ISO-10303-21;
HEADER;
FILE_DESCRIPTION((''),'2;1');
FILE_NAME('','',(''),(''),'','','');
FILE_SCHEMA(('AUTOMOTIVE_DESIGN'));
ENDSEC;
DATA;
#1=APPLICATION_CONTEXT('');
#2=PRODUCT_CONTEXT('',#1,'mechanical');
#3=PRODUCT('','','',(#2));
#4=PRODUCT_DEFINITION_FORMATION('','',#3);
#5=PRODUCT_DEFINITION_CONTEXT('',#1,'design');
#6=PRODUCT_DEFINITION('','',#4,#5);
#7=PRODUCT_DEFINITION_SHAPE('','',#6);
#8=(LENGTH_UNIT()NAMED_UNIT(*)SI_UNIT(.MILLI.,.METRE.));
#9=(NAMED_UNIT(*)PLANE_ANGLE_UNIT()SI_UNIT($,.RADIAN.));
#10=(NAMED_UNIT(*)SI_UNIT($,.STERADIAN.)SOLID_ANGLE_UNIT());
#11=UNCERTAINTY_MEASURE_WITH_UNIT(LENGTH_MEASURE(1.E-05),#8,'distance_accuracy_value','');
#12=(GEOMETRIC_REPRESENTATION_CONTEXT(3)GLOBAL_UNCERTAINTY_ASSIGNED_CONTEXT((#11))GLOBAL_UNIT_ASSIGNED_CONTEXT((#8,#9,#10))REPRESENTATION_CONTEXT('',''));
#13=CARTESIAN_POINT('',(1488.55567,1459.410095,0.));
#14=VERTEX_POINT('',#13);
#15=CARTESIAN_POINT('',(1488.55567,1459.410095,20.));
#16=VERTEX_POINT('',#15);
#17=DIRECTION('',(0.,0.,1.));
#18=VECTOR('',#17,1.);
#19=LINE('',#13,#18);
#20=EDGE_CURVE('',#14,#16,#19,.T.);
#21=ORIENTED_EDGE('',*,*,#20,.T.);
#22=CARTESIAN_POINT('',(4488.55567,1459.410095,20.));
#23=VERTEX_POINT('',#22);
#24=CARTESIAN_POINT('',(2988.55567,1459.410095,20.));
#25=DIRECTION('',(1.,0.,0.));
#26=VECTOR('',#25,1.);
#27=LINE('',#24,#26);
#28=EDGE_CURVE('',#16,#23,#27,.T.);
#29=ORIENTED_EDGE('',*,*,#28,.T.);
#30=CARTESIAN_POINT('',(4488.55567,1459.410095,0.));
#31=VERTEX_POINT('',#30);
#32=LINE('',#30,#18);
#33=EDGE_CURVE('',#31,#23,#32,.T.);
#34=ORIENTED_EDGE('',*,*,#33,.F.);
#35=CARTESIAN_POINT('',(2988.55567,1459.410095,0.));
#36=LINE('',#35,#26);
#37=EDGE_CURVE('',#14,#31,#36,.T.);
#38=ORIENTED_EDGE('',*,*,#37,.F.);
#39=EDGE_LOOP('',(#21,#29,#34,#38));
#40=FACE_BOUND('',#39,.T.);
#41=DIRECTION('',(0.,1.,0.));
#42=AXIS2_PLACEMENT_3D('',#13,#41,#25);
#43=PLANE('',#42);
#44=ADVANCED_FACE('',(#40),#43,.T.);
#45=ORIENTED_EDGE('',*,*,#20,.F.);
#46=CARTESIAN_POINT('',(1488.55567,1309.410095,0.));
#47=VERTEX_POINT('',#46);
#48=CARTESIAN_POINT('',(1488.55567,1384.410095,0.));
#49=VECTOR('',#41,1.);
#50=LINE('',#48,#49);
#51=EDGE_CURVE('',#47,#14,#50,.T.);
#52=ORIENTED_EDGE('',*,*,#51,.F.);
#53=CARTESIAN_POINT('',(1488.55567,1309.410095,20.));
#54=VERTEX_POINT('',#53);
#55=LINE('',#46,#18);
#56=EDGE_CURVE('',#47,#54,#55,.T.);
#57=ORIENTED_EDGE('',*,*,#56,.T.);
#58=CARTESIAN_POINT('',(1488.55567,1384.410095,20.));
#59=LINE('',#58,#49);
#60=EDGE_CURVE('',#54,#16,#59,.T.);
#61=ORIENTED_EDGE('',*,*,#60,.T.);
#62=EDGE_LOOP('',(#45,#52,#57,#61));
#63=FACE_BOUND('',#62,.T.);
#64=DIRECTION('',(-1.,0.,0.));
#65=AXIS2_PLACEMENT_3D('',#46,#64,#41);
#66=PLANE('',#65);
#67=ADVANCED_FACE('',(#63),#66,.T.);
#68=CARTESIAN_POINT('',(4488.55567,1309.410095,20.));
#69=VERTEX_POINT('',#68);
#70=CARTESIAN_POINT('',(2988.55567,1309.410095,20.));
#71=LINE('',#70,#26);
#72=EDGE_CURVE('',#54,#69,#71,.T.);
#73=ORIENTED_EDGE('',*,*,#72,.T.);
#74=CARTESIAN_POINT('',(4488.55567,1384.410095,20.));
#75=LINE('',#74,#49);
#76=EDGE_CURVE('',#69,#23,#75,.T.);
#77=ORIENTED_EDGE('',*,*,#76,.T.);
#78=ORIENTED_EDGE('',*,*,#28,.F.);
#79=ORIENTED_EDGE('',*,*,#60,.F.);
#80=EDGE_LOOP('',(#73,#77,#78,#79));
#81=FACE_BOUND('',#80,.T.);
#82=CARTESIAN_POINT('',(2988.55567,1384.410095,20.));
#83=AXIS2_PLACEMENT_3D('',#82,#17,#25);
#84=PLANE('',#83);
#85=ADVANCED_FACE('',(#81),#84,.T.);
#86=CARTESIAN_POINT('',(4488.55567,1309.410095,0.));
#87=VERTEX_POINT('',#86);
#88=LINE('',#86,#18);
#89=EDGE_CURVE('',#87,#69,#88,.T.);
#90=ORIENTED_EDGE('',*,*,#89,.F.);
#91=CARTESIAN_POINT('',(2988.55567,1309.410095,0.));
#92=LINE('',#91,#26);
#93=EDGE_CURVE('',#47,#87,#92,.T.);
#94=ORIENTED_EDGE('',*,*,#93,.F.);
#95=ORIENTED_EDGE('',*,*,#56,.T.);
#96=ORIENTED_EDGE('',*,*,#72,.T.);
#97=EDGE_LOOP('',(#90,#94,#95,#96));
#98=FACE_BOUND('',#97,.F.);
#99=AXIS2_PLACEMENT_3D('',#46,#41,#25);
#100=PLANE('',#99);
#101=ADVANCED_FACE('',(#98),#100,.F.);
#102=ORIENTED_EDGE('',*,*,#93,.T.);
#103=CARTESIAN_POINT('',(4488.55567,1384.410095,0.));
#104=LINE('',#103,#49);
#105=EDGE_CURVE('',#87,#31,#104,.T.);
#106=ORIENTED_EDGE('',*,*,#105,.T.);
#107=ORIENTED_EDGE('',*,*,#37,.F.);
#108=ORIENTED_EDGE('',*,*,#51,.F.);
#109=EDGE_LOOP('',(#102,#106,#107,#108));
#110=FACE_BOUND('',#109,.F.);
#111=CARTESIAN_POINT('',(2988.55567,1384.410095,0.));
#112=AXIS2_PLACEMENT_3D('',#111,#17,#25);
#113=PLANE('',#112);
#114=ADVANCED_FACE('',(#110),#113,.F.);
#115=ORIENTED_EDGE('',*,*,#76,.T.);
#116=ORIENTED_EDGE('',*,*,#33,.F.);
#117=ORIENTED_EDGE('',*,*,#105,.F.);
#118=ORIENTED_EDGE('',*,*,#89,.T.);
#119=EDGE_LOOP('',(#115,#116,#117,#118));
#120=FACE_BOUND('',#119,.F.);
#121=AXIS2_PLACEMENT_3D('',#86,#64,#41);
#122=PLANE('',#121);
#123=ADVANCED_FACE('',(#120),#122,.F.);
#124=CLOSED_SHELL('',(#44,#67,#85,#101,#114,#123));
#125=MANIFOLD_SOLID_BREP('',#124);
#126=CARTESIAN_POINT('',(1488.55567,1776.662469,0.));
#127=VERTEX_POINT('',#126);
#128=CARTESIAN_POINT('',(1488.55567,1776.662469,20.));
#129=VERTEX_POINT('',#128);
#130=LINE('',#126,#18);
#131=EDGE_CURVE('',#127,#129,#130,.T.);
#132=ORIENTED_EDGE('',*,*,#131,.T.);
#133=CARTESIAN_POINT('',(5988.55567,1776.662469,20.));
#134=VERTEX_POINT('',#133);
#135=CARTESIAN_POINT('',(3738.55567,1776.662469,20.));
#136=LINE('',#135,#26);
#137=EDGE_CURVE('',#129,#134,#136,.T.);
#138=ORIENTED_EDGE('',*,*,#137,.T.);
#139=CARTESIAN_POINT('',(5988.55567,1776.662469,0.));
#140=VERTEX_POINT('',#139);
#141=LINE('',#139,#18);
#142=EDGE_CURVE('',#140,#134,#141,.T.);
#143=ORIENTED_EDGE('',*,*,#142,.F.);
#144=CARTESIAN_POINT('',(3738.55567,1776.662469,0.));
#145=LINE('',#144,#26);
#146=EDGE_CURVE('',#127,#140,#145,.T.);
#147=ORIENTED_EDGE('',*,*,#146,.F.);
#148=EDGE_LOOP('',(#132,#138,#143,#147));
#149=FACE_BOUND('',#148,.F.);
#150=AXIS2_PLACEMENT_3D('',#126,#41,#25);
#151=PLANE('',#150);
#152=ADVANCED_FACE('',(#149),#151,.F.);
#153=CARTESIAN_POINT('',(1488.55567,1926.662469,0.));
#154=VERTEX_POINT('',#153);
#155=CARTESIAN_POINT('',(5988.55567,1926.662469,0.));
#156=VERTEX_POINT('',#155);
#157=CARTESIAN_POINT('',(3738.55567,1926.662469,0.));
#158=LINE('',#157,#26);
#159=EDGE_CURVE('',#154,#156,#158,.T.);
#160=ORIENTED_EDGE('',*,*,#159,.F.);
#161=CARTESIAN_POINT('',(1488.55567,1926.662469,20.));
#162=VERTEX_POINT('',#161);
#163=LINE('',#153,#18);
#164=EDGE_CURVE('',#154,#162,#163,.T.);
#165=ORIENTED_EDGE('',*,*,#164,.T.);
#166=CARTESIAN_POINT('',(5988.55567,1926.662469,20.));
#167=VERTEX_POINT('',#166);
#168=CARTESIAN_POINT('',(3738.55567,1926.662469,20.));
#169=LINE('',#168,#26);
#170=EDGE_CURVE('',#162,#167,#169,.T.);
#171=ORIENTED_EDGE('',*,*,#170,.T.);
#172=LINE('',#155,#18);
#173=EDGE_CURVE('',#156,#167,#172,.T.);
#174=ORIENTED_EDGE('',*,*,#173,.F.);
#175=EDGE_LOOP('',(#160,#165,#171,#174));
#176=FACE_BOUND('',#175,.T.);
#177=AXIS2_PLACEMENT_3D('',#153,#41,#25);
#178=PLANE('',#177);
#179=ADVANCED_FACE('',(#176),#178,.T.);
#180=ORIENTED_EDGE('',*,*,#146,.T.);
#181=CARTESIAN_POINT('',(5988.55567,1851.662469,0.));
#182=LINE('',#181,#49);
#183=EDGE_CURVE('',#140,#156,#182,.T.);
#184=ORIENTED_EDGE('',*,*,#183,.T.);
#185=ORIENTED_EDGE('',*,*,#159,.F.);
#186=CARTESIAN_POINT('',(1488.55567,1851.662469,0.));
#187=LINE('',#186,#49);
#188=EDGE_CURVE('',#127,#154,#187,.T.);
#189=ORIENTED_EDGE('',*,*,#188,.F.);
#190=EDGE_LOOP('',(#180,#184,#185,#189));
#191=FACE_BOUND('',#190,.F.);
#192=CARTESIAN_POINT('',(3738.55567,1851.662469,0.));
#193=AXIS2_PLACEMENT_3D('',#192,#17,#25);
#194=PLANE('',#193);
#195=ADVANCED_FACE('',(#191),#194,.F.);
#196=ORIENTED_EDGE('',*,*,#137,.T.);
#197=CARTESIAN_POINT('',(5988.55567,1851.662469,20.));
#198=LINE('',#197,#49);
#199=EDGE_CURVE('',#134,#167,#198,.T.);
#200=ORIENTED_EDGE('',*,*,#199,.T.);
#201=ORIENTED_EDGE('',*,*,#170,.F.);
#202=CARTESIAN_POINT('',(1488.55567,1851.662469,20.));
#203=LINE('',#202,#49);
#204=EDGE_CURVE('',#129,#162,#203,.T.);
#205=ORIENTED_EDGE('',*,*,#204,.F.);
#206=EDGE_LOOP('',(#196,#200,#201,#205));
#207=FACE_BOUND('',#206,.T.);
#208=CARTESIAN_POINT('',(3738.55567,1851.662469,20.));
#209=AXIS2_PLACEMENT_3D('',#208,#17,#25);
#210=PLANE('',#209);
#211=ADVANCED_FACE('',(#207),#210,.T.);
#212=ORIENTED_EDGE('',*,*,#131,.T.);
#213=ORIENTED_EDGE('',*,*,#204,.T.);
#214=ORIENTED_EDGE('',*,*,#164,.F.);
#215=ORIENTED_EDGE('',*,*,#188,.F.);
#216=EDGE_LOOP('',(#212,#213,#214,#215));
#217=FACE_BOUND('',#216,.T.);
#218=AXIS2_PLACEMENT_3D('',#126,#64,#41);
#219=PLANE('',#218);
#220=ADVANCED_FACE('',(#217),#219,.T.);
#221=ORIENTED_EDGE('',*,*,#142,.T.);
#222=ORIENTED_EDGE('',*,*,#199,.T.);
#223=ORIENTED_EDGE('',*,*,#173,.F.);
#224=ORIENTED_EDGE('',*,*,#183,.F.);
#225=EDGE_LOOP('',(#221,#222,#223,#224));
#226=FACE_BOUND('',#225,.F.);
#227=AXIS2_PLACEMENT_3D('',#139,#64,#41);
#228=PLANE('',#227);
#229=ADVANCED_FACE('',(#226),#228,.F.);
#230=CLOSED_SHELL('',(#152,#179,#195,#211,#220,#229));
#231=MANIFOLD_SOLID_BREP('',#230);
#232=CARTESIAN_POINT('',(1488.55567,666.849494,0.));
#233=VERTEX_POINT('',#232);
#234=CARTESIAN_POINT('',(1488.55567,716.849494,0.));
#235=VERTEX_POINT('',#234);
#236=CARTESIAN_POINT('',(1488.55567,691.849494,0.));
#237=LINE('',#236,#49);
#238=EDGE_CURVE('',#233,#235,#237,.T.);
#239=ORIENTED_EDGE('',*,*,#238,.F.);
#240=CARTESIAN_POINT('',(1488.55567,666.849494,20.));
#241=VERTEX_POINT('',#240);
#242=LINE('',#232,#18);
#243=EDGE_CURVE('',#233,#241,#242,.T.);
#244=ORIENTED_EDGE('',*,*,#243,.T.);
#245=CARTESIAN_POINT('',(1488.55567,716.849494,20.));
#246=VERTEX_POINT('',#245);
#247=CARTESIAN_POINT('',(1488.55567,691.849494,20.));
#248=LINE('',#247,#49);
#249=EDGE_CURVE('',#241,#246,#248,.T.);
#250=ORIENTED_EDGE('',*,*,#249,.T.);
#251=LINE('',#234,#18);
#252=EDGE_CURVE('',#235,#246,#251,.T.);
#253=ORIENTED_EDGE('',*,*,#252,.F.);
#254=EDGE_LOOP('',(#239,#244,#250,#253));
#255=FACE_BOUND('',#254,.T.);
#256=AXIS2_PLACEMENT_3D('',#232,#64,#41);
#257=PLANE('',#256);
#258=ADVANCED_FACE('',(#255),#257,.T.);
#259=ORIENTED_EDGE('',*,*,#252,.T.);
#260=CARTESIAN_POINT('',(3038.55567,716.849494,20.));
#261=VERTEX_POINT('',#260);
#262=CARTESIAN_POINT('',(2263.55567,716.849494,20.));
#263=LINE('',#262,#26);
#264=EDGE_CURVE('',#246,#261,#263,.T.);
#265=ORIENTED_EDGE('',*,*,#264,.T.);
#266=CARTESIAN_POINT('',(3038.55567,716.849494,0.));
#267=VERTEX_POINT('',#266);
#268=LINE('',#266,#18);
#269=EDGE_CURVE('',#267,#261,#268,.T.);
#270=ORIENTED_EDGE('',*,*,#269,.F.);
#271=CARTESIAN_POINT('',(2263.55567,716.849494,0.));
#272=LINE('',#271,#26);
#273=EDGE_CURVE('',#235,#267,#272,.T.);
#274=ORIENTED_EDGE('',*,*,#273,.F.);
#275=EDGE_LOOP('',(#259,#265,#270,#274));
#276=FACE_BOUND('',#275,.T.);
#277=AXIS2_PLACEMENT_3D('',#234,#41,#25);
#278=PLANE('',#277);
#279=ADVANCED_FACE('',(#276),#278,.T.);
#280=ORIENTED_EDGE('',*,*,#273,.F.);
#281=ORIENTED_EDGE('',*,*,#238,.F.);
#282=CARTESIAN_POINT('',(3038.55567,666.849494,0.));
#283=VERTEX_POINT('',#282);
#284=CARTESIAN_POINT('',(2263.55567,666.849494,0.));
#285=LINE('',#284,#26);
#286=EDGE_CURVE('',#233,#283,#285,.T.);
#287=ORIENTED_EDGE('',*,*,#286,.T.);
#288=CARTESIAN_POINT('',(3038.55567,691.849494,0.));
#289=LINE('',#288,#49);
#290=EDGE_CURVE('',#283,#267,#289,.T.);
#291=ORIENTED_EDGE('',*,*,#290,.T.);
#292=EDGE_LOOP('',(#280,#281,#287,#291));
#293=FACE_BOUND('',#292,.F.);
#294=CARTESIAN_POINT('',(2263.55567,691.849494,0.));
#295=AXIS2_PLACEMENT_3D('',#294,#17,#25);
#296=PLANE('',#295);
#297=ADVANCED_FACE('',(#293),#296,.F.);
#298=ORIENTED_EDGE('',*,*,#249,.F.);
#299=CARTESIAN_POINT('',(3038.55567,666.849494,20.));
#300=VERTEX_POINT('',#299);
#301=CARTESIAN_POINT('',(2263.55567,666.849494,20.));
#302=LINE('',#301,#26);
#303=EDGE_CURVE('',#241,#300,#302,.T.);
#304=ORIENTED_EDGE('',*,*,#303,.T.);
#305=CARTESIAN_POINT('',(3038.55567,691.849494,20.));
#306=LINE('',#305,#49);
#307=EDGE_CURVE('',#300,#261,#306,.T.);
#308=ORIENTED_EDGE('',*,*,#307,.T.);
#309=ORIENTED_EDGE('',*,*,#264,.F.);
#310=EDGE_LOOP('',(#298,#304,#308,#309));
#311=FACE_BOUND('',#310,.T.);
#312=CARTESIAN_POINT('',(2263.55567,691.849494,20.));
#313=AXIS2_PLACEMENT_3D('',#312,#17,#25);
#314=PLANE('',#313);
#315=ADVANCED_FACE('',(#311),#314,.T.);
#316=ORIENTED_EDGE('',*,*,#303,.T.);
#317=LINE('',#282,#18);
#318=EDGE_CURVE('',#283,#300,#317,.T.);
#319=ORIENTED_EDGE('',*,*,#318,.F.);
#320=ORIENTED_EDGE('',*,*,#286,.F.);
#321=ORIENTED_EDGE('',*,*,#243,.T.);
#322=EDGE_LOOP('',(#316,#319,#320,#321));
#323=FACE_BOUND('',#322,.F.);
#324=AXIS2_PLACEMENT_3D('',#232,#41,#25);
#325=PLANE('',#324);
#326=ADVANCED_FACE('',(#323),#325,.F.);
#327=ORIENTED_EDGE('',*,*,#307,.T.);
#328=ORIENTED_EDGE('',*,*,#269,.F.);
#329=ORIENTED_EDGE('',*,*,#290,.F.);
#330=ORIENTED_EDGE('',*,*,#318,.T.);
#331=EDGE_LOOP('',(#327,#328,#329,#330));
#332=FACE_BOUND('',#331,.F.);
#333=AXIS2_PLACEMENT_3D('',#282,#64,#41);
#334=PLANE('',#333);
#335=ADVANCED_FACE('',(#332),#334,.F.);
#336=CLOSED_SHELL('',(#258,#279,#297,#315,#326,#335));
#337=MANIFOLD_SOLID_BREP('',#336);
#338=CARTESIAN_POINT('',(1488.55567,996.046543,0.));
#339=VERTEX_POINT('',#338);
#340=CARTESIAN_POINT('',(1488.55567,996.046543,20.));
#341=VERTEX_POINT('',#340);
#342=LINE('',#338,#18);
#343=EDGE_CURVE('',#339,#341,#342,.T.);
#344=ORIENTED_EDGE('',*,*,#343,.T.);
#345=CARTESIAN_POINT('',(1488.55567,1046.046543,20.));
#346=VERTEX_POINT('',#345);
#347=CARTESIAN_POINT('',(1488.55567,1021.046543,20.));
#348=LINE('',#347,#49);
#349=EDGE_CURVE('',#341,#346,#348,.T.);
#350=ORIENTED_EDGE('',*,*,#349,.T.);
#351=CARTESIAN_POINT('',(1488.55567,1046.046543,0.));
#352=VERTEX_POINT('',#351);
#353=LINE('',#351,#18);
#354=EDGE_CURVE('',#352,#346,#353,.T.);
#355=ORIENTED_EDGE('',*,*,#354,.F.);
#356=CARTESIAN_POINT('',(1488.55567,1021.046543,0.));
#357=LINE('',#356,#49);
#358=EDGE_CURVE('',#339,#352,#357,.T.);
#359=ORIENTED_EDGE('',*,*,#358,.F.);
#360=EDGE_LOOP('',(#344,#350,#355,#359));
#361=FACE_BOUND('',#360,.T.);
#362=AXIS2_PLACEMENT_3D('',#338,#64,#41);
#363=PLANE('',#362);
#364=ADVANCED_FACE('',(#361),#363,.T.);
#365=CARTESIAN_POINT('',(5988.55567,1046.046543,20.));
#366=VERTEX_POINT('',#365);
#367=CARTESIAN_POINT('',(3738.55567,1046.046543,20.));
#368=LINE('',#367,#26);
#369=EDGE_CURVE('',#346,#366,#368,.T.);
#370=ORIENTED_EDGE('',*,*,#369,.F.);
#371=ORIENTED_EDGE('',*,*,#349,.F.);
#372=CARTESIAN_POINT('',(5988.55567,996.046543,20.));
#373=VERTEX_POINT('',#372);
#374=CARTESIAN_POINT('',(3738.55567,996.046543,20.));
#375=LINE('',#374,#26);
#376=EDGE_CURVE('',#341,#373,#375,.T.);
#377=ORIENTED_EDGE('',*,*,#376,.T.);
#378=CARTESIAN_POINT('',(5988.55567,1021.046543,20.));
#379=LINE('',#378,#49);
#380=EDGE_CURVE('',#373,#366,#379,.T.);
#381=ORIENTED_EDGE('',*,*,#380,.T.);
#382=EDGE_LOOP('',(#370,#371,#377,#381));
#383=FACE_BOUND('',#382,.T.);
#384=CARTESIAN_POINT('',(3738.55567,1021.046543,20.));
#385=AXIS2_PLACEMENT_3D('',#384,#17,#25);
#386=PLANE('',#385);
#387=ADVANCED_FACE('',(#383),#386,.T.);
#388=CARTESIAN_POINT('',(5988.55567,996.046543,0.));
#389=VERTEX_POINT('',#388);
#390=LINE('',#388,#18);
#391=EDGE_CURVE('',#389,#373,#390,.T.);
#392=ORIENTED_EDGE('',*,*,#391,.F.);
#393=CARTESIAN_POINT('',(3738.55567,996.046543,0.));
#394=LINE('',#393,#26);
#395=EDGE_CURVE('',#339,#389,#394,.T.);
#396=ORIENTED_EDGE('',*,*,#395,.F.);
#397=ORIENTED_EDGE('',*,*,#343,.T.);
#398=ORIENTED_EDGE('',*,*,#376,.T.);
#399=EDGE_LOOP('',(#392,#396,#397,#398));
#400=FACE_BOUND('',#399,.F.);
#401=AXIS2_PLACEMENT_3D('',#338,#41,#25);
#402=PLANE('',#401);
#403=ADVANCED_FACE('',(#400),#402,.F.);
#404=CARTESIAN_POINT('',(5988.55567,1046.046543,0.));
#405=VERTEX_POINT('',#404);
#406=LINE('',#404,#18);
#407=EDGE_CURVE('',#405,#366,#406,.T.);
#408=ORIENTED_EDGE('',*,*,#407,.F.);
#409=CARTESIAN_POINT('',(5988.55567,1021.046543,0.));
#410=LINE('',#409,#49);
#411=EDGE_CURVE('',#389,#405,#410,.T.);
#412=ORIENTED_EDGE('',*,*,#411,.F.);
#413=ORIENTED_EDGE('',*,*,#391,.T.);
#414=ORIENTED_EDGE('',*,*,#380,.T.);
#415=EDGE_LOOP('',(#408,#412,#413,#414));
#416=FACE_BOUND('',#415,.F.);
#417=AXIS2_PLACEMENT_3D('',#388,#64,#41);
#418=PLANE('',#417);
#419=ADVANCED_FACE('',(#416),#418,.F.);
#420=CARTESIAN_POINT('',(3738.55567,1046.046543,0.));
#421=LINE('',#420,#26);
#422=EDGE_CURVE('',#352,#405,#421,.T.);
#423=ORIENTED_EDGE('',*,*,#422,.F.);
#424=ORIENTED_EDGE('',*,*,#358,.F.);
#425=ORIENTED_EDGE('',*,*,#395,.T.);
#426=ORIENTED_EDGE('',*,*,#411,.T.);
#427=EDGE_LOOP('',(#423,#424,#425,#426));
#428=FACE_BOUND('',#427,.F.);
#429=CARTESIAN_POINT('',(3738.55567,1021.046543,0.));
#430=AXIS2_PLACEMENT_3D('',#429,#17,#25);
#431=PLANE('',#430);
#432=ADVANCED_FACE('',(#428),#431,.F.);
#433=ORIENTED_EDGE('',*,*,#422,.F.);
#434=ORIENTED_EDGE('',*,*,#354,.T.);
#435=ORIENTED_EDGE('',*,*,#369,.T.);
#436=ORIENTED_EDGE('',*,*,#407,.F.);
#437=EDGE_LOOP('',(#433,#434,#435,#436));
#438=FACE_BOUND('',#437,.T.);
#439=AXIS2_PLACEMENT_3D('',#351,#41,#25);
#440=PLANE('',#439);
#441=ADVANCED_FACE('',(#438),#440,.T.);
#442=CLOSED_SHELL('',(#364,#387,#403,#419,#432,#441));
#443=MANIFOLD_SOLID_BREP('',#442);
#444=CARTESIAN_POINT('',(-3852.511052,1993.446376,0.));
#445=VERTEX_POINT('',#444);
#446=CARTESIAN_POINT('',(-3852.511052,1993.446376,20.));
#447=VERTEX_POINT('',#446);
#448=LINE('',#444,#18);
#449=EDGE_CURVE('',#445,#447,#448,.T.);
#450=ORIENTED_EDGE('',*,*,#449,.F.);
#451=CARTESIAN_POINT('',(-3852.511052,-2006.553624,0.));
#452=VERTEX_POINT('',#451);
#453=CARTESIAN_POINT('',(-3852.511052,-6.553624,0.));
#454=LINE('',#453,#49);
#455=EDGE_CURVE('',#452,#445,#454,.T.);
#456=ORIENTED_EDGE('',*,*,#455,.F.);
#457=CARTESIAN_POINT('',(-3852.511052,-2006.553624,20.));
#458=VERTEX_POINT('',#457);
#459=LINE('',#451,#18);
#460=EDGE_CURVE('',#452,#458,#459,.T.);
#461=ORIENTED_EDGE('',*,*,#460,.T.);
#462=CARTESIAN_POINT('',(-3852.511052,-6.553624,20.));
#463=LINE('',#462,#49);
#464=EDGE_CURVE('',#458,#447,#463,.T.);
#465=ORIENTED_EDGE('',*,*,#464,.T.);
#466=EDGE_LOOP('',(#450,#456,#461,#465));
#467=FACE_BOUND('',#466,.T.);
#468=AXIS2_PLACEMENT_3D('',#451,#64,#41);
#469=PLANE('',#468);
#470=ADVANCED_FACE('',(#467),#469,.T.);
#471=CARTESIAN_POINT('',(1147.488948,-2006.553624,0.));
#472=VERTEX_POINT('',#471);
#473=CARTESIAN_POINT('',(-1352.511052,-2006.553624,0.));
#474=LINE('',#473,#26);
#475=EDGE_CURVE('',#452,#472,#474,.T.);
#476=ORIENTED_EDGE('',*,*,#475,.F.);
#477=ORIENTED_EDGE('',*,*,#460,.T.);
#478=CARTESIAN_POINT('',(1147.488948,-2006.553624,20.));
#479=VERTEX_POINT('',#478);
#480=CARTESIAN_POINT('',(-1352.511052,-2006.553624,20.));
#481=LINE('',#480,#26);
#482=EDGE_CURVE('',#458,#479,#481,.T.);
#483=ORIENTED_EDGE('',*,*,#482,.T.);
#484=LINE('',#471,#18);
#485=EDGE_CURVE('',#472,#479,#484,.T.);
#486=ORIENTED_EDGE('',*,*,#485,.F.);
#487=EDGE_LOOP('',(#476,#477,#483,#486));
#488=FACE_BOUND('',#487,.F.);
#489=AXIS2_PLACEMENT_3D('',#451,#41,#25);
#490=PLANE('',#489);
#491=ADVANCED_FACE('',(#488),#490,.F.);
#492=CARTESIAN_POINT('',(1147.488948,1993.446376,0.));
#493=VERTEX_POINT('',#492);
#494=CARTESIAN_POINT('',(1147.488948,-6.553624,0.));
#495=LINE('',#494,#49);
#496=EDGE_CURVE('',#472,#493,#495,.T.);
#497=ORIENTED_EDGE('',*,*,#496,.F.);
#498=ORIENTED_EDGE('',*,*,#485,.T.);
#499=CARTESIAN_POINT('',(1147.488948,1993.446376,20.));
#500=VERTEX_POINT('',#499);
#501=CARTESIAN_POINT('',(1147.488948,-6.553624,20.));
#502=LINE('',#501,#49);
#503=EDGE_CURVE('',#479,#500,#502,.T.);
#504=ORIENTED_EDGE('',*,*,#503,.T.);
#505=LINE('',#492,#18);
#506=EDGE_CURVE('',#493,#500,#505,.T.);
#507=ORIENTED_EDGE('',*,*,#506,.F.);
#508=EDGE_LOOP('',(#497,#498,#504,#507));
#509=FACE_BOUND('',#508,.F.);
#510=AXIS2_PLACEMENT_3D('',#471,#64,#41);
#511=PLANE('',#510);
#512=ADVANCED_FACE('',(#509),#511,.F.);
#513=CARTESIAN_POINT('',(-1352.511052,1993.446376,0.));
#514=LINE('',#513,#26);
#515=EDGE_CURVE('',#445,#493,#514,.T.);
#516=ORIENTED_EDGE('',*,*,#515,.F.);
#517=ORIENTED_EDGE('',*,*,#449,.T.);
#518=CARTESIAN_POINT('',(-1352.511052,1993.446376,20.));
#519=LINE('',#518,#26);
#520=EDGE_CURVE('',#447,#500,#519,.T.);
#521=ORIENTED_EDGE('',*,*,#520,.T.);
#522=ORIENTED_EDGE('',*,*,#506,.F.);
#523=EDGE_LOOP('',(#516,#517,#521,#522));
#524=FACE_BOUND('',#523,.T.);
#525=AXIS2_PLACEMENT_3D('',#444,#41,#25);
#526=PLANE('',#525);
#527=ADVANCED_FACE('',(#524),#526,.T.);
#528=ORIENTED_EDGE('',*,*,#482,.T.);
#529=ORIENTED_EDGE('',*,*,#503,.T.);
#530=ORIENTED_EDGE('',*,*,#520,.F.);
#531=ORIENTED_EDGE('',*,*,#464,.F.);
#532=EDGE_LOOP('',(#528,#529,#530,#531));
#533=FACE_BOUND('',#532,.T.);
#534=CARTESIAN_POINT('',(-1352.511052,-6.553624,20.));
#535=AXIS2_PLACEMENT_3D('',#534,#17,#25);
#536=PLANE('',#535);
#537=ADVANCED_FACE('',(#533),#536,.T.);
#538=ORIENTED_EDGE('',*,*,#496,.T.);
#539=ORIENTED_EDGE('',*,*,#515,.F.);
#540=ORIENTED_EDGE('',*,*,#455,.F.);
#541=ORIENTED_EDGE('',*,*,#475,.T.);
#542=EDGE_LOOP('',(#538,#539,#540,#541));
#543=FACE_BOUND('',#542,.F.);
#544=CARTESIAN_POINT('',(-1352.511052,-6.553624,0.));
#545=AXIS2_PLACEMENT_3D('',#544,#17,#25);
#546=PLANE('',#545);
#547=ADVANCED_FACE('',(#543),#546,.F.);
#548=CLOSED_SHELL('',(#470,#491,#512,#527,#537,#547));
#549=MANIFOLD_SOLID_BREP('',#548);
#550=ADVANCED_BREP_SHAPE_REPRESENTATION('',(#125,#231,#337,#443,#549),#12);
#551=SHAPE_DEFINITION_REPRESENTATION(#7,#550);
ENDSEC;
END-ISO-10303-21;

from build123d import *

# Parameters (mm, degrees)
F0_W     = 5000
F0_H     = 4000
F0_W_2   = 4500
F0_H_2   = 150
F0_W_3   = 3000
F0_H_3   = 50
F0_W_4   = 1550
F1_DEPTH = 20


with BuildPart() as f1:
    # F0 (on Top) → F1 (new body)
    with BuildSketch(Plane.XY):
        with Locations((-1352.511052, -6.553624)):
            Rectangle(F0_W, F0_H)
        with Locations((3738.55567, 1851.662469)):
            Rectangle(F0_W_2, F0_H_2)
        with Locations((2988.55567, 1384.410095)):
            Rectangle(F0_W_3, F0_H_2)
        with Locations((3738.55567, 1021.046543)):
            Rectangle(F0_W_2, F0_H_3)
        with Locations((2263.55567, 691.849494)):
            Rectangle(F0_W_4, F0_H_3)
    extrude(amount=F1_DEPTH)


solid = f1.part
